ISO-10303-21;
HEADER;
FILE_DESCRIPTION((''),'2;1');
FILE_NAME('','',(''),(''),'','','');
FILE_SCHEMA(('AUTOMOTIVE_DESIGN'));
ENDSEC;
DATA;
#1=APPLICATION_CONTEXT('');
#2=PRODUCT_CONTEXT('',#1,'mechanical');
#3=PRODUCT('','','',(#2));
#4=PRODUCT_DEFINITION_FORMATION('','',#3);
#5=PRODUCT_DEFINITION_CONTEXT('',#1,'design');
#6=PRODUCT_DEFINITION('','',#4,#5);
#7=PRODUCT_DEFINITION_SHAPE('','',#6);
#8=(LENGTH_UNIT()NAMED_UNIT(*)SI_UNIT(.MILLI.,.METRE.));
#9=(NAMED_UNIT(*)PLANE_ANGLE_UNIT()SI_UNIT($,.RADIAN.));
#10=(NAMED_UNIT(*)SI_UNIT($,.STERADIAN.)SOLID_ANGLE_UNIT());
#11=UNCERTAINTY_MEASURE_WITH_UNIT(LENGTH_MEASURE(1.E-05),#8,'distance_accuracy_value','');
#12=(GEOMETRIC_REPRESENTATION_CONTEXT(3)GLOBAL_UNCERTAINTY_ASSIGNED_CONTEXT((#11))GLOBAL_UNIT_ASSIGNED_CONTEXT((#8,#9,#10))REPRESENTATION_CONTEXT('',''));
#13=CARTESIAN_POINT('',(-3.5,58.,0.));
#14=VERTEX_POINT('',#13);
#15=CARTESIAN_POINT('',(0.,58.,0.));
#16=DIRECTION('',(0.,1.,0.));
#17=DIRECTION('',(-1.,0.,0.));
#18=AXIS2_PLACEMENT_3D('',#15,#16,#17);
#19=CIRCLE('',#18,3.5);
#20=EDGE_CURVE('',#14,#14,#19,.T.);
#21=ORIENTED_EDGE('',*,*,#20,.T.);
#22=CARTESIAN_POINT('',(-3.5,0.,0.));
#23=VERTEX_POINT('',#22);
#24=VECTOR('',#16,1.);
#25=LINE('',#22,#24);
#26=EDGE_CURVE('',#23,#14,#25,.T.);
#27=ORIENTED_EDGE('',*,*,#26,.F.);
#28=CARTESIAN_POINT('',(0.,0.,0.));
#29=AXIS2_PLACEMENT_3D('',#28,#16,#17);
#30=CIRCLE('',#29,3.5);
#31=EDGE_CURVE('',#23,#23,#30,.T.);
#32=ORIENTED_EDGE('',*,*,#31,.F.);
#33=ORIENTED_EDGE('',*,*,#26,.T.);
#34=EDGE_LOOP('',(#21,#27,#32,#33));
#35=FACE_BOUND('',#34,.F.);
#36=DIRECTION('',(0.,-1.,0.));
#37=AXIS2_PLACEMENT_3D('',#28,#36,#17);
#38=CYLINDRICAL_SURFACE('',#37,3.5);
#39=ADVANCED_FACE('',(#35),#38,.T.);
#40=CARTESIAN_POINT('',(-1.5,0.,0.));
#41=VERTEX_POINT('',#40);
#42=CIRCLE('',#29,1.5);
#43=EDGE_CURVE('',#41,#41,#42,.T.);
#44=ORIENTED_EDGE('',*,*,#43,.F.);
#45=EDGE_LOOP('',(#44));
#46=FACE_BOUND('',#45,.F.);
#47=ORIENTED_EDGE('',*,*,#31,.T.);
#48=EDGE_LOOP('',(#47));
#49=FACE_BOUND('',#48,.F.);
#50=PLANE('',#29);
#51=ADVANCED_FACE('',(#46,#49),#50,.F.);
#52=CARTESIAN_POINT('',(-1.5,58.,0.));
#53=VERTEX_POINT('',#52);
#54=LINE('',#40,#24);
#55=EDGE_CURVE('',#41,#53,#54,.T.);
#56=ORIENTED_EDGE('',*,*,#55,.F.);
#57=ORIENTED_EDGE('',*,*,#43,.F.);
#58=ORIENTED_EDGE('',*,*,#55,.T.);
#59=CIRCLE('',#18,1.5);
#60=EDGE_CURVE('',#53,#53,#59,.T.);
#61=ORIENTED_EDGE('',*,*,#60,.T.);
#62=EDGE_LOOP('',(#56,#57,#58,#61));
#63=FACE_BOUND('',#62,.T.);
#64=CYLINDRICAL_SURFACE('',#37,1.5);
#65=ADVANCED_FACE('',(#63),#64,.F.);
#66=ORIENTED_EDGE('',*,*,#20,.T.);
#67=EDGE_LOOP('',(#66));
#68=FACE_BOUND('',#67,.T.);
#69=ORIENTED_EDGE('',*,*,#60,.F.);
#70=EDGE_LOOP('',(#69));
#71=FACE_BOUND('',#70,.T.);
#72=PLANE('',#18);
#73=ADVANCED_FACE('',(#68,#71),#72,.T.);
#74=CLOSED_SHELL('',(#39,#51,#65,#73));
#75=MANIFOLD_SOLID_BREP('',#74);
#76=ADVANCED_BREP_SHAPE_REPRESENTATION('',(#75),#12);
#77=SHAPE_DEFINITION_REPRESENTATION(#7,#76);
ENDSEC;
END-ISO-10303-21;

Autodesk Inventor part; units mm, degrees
ref_plane "YZ Plane" through (0, 0, 0) normal (1, 0, 0) x (0, 1, 0)
ref_plane "XZ Plane" through (0, 0, 0) normal (0, 1, 0) x (-1, 0, 0)
ref_plane "XY Plane" through (0, 0, 0) normal (0, 0, 1) x (1, 0, 0)
sketch "Sketch1" plane through (0, 0, 0) normal (0, 1, 0) x (-1, 0, 0)
  circle A0 centre (0, 0) radius 3.5
  circle A1 centre (0, 0) radius 1.5
  dimension "d0" = 7
  dimension "d1" = 3
extrude "Extrusion1" add sketch "Sketch1" along normal blind 58
properties part number "As Pendorong"
